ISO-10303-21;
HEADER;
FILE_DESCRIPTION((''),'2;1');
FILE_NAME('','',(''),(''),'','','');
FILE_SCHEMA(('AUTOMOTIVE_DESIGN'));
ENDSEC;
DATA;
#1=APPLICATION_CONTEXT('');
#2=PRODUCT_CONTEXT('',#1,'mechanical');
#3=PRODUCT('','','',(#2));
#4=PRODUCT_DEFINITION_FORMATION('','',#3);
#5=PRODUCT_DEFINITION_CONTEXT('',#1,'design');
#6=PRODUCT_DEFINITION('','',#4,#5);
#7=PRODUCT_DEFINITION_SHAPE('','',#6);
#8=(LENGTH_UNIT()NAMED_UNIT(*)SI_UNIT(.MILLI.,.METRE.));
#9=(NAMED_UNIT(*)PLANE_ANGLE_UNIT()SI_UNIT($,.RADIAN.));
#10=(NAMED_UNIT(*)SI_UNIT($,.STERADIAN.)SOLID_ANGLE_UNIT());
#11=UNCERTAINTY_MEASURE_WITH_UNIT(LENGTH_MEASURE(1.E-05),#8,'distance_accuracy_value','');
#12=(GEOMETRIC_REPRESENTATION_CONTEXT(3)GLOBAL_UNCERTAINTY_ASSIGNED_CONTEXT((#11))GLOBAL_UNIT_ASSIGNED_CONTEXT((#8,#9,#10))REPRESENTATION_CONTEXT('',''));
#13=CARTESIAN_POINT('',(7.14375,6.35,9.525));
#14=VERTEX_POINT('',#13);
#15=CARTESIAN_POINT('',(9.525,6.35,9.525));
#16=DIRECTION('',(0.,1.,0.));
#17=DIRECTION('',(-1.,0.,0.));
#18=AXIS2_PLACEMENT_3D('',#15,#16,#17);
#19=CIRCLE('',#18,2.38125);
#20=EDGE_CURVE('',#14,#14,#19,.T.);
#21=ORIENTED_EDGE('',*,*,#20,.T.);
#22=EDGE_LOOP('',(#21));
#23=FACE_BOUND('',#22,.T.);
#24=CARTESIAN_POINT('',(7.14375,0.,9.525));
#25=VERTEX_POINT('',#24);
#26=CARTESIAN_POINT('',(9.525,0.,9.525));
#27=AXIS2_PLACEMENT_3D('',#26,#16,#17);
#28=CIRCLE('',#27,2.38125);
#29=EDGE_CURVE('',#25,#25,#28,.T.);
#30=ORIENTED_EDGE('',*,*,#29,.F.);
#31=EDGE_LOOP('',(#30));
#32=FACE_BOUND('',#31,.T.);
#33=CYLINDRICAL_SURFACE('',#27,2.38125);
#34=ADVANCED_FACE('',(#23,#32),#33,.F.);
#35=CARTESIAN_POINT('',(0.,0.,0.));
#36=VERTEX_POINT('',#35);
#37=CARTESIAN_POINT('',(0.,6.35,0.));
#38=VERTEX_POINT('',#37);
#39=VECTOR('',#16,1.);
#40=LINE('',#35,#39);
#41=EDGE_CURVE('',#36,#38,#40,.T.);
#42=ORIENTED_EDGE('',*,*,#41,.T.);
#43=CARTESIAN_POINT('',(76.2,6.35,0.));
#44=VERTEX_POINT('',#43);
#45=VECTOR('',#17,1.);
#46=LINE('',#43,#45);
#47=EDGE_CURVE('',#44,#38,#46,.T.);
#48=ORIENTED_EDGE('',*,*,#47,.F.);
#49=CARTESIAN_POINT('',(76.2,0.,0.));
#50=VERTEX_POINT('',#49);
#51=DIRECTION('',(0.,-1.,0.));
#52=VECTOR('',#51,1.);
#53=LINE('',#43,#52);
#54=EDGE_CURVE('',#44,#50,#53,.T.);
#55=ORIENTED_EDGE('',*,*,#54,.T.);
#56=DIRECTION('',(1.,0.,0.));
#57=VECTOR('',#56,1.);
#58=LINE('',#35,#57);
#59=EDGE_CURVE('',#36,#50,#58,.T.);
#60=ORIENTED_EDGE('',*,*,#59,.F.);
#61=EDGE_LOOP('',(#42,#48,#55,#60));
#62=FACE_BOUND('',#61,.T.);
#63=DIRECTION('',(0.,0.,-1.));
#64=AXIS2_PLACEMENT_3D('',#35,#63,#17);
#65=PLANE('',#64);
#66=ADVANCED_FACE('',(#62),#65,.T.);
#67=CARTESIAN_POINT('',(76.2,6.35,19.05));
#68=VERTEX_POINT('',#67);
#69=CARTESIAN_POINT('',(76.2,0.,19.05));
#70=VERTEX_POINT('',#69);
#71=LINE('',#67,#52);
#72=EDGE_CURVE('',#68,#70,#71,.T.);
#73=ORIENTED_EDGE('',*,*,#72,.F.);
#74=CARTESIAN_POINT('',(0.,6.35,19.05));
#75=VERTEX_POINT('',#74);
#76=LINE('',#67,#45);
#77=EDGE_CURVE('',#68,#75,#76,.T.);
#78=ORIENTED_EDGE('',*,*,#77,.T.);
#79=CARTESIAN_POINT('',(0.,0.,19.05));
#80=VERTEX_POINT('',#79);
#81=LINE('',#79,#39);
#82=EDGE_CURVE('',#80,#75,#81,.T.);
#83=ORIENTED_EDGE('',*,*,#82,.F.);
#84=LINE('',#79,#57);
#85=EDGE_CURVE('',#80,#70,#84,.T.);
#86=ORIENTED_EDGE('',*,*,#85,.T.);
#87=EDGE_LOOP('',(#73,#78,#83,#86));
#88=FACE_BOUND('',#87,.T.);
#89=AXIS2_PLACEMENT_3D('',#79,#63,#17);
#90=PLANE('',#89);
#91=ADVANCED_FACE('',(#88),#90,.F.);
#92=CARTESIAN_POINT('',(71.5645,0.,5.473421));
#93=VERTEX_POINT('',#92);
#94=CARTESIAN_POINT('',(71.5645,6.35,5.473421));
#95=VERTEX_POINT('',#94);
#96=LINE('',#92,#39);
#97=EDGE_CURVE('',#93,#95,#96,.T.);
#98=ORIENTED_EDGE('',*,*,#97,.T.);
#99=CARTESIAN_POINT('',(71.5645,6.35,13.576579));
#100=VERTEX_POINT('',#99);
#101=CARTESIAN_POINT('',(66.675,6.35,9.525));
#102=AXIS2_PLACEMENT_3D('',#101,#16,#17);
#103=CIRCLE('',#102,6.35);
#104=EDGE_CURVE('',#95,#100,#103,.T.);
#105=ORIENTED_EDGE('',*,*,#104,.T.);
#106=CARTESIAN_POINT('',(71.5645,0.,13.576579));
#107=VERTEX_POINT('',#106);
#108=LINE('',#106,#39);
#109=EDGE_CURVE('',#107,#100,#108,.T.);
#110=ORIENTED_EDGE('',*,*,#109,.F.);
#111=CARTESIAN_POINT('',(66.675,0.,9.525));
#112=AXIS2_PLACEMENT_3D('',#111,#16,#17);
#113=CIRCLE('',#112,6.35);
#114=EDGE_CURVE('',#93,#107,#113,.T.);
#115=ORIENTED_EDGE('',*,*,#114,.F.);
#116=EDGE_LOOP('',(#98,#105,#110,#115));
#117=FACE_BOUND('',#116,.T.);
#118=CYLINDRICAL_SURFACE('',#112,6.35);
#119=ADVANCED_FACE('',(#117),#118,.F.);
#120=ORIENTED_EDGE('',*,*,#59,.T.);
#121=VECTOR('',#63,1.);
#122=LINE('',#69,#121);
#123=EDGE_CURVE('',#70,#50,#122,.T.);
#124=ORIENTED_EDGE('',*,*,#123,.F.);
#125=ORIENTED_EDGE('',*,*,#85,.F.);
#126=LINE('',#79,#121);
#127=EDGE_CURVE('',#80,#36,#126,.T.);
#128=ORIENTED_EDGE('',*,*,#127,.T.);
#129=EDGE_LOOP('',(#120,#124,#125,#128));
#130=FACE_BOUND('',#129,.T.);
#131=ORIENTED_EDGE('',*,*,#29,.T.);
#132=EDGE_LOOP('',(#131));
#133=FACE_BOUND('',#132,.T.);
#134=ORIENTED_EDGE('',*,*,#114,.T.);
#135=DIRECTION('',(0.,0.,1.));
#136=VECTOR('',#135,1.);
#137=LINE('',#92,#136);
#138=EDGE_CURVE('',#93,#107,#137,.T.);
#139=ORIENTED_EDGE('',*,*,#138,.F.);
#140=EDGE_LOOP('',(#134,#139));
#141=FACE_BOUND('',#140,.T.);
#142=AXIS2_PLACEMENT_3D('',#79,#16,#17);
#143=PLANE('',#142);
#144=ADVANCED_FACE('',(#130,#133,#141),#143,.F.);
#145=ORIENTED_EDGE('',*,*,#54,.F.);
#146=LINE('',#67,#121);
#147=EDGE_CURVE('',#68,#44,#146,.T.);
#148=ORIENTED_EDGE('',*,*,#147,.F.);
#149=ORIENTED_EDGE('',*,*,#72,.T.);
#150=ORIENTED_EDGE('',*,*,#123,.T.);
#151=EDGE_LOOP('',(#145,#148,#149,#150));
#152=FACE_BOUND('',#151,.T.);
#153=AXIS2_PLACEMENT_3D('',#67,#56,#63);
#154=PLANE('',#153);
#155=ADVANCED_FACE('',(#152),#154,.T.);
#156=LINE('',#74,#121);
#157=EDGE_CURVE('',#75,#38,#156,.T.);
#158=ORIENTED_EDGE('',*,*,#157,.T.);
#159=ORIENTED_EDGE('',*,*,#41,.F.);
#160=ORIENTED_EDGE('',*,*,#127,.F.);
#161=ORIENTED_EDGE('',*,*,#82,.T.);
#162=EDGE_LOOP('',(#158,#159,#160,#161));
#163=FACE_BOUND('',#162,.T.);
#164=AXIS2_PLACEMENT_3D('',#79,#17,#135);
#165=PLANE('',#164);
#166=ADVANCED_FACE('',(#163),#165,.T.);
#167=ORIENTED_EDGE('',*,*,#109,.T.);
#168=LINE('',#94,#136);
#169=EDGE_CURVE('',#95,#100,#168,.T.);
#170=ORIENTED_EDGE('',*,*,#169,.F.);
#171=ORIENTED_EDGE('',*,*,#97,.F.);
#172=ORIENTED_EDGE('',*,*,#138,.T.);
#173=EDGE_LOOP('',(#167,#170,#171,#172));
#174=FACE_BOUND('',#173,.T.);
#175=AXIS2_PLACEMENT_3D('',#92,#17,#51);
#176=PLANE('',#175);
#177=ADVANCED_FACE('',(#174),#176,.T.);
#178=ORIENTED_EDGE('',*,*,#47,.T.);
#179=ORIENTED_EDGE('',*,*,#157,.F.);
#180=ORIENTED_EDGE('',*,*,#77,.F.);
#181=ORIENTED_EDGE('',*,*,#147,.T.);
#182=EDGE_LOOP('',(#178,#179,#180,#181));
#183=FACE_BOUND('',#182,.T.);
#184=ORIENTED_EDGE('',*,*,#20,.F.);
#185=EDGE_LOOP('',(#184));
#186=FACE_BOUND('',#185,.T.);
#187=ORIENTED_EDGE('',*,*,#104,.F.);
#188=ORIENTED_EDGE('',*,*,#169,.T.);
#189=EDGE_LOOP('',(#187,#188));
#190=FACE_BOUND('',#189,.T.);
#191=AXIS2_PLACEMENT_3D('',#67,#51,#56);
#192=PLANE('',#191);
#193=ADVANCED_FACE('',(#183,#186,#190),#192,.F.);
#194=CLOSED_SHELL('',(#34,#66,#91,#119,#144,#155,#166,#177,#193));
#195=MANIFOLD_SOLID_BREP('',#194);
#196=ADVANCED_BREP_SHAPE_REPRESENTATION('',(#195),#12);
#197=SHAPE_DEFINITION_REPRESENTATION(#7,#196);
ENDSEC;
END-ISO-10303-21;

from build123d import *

# Parameters (mm, degrees)
SKETCH1_W          = 76.2
SKETCH1_H          = 6.35
BASE_EXTRUDE_DEPTH = 19.05
CUT_EXTRUDE1_DEPTH = 7.35
SKETCH3_R          = 2.38125
CUT_EXTRUDE2_DEPTH = 7.35


with BuildPart() as part:
    # Sketch1 → Base-Extrude (new body)
    with BuildSketch(Plane.XY):
        with Locations((38.1, 3.175)):
            Rectangle(SKETCH1_W, SKETCH1_H)
    extrude(amount=BASE_EXTRUDE_DEPTH)

    # Sketch2 → Cut-Extrude1 (cut, through all)
    with BuildSketch(Plane(origin=(0, 6.35, 0), x_dir=(-1, 0, 0), z_dir=(0, 1, 0))):
        with BuildLine():
            Line((-71.5645, 5.473421326), (-71.5645, 13.576578674))
            ThreePointArc((-71.5645, 13.576578674), (-60.325, 9.525), (-71.5645, 5.473421326))
        make_face()
    extrude(amount=-CUT_EXTRUDE1_DEPTH, mode=Mode.SUBTRACT)

    # Sketch3 → Cut-Extrude2 (cut, through all)
    with BuildSketch(Plane(origin=(0, 6.35, 0), x_dir=(-1, 0, 0), z_dir=(0, 1, 0))):
        with Locations((-9.525, 9.525)):
            Circle(SKETCH3_R)
    extrude(amount=-CUT_EXTRUDE2_DEPTH, mode=Mode.SUBTRACT)


solid = part.part
